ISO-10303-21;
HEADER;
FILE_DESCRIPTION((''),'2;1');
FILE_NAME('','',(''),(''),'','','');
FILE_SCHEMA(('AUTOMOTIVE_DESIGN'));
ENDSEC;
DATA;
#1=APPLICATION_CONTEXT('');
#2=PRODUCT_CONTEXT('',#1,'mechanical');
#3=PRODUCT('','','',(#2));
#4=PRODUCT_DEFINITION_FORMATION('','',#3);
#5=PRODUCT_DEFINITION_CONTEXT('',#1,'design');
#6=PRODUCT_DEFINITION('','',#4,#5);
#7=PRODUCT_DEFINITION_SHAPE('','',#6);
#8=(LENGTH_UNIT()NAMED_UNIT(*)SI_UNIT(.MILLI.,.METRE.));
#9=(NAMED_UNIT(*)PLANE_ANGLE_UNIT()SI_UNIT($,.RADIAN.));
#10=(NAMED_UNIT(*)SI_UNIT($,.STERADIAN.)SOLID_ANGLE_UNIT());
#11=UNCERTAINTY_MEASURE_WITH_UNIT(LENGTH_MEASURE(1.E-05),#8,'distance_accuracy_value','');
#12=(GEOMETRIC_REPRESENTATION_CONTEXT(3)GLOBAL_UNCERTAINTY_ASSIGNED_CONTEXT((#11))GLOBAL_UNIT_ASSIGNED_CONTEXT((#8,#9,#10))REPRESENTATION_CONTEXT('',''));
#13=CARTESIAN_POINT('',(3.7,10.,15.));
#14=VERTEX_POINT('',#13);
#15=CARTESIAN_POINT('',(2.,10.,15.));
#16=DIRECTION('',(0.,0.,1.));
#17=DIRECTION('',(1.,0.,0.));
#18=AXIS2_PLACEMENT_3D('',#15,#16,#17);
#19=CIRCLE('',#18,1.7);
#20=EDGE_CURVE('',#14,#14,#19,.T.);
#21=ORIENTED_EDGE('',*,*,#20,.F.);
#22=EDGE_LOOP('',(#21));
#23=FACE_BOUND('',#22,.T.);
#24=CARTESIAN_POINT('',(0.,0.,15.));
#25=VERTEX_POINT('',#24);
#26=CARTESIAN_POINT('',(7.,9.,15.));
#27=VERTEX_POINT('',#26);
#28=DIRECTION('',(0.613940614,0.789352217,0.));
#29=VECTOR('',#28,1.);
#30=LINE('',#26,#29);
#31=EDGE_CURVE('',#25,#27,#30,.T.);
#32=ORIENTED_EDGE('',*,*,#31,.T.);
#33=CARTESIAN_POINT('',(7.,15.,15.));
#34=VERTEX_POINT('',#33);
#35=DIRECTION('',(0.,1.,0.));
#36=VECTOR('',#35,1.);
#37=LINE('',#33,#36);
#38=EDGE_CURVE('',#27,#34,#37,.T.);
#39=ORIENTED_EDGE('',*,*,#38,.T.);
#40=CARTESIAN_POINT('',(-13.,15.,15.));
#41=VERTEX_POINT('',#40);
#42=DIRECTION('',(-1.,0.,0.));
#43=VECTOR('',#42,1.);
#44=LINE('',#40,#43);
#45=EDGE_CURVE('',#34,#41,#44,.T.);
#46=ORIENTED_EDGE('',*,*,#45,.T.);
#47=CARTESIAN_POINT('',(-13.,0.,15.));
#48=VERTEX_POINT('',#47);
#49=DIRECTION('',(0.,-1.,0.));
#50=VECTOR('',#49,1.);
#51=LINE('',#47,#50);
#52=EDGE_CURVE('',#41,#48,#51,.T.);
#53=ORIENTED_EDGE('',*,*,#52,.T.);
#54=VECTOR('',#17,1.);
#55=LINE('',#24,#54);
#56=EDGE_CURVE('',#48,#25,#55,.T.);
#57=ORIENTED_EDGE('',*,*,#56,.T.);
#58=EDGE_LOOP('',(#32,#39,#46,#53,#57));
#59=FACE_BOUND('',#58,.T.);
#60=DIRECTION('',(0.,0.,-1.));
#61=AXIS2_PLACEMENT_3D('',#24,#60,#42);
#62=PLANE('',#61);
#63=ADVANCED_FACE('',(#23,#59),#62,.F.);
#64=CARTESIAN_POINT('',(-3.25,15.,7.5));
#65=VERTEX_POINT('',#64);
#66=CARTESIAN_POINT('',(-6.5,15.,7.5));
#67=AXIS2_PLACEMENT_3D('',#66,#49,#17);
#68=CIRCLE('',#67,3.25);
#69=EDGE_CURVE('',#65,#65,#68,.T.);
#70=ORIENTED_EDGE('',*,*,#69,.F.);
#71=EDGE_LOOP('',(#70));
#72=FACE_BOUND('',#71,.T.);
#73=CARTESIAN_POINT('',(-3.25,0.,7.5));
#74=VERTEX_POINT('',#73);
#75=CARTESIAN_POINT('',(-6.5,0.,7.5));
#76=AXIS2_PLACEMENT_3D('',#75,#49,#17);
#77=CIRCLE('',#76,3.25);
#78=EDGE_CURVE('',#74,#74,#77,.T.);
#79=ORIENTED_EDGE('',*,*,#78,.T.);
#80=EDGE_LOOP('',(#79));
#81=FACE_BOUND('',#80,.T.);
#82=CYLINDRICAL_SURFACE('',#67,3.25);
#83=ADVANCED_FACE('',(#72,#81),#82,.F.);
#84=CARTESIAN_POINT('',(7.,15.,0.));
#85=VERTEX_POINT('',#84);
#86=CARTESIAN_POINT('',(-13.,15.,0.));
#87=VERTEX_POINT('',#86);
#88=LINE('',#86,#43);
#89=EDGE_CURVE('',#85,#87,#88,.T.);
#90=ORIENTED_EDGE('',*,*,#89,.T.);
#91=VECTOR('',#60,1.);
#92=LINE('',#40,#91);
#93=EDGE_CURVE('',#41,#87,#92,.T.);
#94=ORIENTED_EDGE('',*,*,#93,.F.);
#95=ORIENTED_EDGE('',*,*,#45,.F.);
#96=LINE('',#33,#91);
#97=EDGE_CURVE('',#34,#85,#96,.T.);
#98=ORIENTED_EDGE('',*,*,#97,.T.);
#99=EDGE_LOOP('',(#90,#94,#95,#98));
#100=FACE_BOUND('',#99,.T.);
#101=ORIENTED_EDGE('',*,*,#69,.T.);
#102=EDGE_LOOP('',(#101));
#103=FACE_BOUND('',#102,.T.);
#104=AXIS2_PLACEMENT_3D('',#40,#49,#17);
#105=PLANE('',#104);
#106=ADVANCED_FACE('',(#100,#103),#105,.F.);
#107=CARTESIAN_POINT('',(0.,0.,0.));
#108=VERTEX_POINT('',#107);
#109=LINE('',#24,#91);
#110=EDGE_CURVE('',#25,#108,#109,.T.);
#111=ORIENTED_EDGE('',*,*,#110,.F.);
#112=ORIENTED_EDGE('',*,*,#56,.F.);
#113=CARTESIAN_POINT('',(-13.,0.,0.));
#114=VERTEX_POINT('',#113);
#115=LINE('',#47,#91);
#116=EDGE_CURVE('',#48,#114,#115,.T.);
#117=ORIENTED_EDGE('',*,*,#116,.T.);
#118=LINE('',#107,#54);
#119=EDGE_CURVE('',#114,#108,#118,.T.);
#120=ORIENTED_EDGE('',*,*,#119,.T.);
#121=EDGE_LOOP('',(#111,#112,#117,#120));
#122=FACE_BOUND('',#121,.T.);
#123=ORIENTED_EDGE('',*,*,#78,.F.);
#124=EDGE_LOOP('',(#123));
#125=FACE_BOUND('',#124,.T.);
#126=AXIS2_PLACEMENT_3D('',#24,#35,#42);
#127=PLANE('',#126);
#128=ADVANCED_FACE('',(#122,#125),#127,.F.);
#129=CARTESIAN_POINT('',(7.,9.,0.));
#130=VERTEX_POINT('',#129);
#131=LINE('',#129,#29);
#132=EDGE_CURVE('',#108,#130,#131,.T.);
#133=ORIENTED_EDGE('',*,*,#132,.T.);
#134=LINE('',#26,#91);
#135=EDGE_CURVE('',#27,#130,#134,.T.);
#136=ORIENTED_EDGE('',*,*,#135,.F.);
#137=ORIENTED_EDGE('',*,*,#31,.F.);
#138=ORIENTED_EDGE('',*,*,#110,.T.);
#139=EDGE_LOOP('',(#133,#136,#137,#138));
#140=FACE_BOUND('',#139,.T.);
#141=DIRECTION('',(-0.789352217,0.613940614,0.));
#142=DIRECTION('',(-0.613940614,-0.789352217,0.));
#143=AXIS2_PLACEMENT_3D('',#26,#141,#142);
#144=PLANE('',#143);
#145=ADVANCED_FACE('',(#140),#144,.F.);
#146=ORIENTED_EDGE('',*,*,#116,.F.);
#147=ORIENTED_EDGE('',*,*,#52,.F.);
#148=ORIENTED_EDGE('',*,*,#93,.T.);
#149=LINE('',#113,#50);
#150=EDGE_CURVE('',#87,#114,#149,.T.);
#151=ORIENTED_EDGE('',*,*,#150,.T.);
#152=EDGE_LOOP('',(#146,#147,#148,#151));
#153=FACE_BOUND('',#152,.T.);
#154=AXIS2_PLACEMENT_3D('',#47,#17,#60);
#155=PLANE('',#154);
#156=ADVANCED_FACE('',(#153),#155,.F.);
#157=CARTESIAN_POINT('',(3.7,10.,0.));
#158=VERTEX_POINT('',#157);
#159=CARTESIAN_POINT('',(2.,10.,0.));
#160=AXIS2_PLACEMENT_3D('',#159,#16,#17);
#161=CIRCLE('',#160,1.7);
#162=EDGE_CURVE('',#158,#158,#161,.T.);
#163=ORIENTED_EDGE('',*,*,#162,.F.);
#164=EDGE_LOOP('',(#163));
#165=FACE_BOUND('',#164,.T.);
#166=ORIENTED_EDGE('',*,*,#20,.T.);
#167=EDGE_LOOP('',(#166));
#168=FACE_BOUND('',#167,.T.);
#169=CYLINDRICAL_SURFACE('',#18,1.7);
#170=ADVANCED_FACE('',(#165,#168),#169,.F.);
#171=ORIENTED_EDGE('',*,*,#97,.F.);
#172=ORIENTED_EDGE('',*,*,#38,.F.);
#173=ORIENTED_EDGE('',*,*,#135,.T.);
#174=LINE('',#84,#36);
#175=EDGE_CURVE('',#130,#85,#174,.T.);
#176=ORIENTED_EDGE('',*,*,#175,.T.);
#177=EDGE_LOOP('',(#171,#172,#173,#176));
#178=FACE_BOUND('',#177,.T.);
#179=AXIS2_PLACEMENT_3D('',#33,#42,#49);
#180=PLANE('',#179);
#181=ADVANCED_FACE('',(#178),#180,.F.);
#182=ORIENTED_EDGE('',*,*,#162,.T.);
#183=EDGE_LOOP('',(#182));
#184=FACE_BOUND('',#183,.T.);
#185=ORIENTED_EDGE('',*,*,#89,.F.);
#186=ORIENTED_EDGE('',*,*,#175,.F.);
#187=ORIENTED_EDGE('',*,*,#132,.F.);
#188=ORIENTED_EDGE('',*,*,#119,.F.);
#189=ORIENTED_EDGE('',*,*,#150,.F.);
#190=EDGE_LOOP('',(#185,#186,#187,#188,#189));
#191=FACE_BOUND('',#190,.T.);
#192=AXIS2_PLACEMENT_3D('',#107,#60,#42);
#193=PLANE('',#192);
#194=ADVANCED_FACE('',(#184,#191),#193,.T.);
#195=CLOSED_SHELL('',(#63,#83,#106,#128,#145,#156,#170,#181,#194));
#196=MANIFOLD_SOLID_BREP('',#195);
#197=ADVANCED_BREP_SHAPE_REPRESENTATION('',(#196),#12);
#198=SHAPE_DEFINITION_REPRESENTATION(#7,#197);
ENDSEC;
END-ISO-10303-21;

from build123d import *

# Parameters (mm, degrees)
ESTRUSIONE_ESTRUSIONE1_DEPTH = 15
FORO_PER_VITE_M3_1_D         = 3.4
SCHIZZO5_R                   = 3.25
TAGLIO_ESTRUSIONE1_DEPTH     = 25.879710609


with BuildPart() as part:
    # Schizzo1 → Estrusione-Estrusione1 (new body)
    with BuildSketch(Plane.XY):
        Polygon((0, 0), (-13, 0), (-13, 15), (7, 15), (7, 9), align=None)
    extrude(amount=ESTRUSIONE_ESTRUSIONE1_DEPTH)

    # Foro per Vite M3-1 (through all)
    with Locations(Plane.XY.offset(15)):
        with Locations((2, 10)):
            Hole(FORO_PER_VITE_M3_1_D / 2)

    # Schizzo5 → Taglio-Estrusione1 (cut, through all)
    with BuildSketch(Plane(origin=(0, 0, 0), x_dir=(-1, 0, 0), z_dir=(0, -1, 0))):
        with Locations(Location((6.5, -7.5, 0), (0, 0, 180))):
            Circle(SCHIZZO5_R)
    extrude(amount=-TAGLIO_ESTRUSIONE1_DEPTH, mode=Mode.SUBTRACT)


solid = part.part
